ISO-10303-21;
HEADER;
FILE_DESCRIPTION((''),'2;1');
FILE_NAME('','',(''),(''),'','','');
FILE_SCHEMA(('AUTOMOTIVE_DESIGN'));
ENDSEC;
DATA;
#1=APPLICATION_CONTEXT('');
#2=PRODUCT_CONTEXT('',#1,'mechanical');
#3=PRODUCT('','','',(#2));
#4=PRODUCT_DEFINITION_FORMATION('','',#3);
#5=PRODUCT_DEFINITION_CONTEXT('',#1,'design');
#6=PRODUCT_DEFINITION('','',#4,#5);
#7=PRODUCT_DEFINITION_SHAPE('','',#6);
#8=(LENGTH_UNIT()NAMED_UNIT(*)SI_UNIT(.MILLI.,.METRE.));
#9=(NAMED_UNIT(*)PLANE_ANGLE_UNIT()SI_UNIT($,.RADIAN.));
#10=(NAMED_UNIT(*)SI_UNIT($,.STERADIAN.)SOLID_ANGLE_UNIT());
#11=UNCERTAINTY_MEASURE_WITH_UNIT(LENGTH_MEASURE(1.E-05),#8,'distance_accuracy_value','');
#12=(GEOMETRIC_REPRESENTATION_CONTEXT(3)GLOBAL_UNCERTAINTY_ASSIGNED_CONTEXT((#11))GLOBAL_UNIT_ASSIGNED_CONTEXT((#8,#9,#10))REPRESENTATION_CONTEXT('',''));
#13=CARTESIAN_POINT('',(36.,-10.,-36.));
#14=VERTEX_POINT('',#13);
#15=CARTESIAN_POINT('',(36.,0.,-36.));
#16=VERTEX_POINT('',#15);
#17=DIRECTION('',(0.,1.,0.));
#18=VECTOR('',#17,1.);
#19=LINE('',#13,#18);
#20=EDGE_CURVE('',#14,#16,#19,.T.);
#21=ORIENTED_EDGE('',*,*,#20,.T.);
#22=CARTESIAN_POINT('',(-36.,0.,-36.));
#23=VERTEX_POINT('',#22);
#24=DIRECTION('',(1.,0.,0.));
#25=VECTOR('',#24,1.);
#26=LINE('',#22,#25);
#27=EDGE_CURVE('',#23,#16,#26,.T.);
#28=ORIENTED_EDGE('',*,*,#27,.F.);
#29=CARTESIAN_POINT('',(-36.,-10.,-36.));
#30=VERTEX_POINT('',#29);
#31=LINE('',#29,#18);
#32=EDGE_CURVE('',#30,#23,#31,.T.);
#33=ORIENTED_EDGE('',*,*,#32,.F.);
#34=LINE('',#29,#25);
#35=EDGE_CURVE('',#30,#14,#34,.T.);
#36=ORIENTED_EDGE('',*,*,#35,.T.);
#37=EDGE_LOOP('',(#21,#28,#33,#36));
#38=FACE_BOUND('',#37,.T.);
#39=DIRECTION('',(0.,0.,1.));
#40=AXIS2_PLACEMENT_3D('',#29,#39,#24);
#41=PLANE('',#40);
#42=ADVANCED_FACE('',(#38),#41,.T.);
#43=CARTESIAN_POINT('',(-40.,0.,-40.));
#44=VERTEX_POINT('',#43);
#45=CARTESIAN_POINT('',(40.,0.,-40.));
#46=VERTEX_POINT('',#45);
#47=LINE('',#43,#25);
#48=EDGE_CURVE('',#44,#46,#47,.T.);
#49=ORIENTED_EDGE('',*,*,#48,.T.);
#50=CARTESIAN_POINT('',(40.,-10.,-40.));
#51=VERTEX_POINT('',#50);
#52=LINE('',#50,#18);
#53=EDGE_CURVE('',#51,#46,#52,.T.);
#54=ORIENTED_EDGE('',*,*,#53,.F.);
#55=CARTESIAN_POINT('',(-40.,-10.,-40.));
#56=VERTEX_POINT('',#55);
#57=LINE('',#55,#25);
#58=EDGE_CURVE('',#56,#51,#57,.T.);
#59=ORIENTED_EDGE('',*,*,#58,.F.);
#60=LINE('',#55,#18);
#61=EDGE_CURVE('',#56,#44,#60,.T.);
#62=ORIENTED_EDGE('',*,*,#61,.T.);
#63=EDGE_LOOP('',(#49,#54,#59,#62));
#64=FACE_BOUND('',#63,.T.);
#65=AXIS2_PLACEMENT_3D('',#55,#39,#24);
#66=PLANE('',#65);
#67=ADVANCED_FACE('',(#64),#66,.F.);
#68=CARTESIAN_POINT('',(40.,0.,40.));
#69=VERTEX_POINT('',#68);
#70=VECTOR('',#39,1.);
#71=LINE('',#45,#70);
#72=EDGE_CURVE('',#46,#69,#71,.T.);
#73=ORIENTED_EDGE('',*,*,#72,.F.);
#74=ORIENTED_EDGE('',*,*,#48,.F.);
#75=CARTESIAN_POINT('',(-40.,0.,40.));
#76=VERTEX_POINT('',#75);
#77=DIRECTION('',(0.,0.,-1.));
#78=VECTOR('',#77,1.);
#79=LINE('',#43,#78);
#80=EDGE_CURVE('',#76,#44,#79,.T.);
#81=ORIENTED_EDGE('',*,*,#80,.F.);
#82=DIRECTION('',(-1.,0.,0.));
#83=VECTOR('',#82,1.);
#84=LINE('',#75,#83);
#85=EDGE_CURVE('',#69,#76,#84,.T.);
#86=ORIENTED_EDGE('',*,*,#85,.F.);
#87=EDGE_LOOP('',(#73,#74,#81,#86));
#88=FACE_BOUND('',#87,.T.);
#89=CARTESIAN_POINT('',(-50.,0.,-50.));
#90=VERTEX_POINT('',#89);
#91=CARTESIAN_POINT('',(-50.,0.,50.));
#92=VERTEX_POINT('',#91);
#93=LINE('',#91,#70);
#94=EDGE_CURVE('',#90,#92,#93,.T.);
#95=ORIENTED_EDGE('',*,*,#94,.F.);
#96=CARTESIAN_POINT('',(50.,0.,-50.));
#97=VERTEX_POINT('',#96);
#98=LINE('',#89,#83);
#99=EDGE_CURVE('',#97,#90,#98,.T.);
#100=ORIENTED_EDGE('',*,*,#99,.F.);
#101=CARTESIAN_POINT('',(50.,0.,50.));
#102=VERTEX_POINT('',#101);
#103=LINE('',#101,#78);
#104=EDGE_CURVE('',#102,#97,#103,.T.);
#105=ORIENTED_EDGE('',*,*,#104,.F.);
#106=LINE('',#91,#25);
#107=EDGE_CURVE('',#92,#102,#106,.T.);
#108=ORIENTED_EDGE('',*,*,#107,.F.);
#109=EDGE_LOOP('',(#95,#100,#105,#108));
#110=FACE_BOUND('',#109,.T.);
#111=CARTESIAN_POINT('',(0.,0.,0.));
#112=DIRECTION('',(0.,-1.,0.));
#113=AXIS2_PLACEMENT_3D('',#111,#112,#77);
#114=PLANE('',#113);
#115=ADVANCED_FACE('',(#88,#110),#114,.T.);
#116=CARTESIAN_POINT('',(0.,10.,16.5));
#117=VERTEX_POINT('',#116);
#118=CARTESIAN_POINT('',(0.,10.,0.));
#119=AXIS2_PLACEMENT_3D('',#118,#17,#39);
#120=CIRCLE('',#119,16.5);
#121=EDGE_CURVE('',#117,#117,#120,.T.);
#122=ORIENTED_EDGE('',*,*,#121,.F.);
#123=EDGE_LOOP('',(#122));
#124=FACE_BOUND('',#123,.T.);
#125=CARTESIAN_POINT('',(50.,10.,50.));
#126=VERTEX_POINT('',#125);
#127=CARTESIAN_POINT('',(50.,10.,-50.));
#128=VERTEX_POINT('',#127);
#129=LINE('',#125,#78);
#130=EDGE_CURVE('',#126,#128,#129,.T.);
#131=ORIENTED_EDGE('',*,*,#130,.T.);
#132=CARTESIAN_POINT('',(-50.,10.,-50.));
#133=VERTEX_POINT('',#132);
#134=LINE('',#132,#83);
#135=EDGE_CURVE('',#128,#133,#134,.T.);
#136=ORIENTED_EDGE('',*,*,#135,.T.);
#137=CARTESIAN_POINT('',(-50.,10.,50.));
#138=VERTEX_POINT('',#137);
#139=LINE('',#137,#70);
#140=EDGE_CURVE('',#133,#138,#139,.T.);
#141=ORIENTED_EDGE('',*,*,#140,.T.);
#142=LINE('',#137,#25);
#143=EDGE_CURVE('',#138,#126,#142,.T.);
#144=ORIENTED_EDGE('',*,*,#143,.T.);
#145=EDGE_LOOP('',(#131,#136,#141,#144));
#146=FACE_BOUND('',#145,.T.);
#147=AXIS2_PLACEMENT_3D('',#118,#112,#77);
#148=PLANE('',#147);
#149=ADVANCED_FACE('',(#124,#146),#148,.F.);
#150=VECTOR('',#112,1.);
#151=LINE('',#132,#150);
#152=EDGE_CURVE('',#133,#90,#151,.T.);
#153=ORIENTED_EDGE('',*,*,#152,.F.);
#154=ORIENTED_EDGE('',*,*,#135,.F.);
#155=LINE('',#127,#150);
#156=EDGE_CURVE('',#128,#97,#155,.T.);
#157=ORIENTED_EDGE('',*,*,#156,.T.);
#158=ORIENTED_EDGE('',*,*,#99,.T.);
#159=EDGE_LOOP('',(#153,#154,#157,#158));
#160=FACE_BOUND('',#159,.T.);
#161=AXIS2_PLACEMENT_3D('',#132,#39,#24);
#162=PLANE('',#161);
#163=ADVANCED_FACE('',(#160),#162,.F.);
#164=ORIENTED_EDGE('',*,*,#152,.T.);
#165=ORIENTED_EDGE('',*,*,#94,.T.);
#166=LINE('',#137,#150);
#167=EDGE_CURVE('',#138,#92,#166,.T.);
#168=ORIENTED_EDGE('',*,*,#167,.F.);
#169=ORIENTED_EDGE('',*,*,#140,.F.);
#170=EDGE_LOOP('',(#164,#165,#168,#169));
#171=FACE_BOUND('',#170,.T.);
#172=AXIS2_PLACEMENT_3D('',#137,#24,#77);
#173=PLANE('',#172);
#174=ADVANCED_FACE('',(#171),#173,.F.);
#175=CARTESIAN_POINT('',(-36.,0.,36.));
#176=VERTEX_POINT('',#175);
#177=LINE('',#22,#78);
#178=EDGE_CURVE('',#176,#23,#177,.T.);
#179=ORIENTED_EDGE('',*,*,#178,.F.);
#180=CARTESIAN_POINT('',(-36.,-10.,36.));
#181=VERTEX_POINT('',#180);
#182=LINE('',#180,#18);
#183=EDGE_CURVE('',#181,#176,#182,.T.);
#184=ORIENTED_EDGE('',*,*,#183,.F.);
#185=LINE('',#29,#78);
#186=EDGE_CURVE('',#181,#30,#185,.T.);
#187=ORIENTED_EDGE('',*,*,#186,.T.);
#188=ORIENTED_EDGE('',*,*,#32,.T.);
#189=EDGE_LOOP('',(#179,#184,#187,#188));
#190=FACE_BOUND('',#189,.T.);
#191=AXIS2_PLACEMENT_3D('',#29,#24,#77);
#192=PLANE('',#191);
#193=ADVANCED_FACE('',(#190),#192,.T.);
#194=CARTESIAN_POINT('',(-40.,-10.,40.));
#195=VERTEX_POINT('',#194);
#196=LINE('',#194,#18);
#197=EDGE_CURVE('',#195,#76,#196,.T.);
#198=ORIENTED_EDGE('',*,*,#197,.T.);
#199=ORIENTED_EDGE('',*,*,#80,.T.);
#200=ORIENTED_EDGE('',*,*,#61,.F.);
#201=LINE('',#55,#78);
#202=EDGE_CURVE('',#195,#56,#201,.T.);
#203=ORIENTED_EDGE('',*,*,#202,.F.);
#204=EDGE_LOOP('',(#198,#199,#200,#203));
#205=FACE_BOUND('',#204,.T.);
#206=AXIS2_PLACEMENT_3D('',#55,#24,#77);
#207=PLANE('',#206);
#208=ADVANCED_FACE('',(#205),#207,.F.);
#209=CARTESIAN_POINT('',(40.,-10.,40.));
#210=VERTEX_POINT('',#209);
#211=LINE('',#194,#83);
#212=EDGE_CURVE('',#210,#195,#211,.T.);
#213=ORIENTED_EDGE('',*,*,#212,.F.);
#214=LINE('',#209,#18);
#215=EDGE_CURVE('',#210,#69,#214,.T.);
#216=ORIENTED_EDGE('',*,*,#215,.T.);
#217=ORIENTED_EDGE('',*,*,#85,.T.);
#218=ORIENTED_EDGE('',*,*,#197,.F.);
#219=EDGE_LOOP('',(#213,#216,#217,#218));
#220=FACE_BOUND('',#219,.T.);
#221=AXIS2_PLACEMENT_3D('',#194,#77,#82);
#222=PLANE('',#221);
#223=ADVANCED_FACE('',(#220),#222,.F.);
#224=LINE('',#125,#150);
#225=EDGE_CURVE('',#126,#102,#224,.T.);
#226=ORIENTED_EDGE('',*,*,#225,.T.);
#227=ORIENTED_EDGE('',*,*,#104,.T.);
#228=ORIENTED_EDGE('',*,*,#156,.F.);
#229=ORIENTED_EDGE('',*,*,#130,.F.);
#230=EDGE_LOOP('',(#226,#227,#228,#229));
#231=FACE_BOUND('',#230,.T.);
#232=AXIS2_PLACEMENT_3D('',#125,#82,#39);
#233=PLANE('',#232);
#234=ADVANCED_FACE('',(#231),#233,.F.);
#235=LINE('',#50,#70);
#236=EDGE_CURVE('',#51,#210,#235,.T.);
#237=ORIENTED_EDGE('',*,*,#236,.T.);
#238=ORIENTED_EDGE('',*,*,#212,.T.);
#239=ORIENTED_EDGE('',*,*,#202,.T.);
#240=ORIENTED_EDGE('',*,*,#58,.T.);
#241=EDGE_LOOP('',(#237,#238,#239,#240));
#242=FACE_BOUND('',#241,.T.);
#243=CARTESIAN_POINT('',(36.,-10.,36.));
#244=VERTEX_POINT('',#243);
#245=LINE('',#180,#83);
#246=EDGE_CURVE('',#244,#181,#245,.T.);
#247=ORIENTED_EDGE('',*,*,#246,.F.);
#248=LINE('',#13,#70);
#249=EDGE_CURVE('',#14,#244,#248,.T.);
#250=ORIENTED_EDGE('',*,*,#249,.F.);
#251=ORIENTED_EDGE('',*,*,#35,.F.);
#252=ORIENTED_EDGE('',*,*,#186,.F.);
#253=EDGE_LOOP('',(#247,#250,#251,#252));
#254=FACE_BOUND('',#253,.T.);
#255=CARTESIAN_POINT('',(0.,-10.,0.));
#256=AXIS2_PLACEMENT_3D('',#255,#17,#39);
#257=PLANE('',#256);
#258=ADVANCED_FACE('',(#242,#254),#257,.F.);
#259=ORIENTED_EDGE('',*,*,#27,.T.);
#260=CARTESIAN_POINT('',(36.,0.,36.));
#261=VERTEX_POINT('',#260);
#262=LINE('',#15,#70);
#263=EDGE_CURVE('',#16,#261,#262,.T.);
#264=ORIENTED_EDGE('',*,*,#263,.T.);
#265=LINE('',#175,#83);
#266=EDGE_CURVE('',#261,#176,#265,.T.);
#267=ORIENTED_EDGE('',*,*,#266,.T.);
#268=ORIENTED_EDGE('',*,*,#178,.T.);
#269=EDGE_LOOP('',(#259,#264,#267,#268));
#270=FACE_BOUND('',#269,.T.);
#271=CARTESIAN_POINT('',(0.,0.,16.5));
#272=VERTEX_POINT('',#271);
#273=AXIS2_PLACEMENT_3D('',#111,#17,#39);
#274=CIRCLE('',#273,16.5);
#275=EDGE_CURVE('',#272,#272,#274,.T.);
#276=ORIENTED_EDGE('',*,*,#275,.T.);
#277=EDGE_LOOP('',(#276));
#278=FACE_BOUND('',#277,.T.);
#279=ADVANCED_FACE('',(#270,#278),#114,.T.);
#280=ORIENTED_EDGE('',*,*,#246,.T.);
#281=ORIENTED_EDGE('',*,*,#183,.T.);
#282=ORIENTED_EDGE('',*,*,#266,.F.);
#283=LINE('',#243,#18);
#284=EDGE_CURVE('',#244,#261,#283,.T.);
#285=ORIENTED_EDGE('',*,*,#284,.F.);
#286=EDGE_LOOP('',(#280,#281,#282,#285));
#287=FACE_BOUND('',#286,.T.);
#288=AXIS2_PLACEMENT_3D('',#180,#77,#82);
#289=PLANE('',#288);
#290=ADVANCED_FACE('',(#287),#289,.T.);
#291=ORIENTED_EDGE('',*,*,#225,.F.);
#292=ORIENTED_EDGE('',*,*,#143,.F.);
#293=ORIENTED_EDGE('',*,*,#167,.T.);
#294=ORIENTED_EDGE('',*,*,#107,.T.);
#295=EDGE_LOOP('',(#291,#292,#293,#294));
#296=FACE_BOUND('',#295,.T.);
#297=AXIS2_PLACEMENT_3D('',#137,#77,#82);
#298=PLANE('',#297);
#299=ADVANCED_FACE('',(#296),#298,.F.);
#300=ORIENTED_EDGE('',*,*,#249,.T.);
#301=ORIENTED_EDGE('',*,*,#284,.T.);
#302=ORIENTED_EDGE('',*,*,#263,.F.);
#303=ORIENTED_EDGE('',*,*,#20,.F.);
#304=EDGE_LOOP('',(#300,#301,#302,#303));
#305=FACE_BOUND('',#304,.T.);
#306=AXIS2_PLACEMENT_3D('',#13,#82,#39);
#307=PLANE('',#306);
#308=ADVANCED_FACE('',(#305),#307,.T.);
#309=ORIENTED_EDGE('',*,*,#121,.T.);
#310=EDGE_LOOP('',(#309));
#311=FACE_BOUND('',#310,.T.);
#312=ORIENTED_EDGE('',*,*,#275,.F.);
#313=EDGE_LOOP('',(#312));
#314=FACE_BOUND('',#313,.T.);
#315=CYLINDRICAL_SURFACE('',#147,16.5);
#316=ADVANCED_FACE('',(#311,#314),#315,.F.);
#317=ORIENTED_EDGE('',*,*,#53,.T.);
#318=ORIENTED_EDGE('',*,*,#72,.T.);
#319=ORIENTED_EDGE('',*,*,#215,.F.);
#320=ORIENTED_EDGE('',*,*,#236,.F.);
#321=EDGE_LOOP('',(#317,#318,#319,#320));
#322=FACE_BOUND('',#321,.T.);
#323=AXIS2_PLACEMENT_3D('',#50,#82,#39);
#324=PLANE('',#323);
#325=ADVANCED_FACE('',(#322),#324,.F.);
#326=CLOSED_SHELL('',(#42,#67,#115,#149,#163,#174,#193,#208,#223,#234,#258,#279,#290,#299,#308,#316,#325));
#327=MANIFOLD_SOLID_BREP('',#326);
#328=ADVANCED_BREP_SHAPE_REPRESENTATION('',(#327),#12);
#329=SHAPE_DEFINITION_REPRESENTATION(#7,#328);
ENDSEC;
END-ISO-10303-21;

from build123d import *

# Parameters (mm, degrees)
SKETCH1_W           = 100
SKETCH1_H           = 100
SKETCH1_R           = 16.5
BOSS_EXTRUDE1_DEPTH = 10
SKETCH3_W           = 80
SKETCH3_H           = 80
SKETCH3_W_2         = 72
SKETCH3_H_2         = 72
BOSS_EXTRUDE2_DEPTH = 10


with BuildPart() as part:
    # Sketch1 → Boss-Extrude1 (new body)
    with BuildSketch(Plane(origin=(0, 0, 0), x_dir=(1, 0, 0), z_dir=(0, 1, 0))):
        Rectangle(SKETCH1_W, SKETCH1_H)
        with Locations(Location((0, 0, 0), (0, 0, 270))):
            Circle(SKETCH1_R, mode=Mode.SUBTRACT)
    extrude(amount=BOSS_EXTRUDE1_DEPTH)

    # Sketch3 → Boss-Extrude2 (add)
    with BuildSketch(Plane.XZ):
        Rectangle(SKETCH3_W, SKETCH3_H)
        Rectangle(SKETCH3_W_2, SKETCH3_H_2, mode=Mode.SUBTRACT)
    extrude(amount=BOSS_EXTRUDE2_DEPTH)


solid = part.part
